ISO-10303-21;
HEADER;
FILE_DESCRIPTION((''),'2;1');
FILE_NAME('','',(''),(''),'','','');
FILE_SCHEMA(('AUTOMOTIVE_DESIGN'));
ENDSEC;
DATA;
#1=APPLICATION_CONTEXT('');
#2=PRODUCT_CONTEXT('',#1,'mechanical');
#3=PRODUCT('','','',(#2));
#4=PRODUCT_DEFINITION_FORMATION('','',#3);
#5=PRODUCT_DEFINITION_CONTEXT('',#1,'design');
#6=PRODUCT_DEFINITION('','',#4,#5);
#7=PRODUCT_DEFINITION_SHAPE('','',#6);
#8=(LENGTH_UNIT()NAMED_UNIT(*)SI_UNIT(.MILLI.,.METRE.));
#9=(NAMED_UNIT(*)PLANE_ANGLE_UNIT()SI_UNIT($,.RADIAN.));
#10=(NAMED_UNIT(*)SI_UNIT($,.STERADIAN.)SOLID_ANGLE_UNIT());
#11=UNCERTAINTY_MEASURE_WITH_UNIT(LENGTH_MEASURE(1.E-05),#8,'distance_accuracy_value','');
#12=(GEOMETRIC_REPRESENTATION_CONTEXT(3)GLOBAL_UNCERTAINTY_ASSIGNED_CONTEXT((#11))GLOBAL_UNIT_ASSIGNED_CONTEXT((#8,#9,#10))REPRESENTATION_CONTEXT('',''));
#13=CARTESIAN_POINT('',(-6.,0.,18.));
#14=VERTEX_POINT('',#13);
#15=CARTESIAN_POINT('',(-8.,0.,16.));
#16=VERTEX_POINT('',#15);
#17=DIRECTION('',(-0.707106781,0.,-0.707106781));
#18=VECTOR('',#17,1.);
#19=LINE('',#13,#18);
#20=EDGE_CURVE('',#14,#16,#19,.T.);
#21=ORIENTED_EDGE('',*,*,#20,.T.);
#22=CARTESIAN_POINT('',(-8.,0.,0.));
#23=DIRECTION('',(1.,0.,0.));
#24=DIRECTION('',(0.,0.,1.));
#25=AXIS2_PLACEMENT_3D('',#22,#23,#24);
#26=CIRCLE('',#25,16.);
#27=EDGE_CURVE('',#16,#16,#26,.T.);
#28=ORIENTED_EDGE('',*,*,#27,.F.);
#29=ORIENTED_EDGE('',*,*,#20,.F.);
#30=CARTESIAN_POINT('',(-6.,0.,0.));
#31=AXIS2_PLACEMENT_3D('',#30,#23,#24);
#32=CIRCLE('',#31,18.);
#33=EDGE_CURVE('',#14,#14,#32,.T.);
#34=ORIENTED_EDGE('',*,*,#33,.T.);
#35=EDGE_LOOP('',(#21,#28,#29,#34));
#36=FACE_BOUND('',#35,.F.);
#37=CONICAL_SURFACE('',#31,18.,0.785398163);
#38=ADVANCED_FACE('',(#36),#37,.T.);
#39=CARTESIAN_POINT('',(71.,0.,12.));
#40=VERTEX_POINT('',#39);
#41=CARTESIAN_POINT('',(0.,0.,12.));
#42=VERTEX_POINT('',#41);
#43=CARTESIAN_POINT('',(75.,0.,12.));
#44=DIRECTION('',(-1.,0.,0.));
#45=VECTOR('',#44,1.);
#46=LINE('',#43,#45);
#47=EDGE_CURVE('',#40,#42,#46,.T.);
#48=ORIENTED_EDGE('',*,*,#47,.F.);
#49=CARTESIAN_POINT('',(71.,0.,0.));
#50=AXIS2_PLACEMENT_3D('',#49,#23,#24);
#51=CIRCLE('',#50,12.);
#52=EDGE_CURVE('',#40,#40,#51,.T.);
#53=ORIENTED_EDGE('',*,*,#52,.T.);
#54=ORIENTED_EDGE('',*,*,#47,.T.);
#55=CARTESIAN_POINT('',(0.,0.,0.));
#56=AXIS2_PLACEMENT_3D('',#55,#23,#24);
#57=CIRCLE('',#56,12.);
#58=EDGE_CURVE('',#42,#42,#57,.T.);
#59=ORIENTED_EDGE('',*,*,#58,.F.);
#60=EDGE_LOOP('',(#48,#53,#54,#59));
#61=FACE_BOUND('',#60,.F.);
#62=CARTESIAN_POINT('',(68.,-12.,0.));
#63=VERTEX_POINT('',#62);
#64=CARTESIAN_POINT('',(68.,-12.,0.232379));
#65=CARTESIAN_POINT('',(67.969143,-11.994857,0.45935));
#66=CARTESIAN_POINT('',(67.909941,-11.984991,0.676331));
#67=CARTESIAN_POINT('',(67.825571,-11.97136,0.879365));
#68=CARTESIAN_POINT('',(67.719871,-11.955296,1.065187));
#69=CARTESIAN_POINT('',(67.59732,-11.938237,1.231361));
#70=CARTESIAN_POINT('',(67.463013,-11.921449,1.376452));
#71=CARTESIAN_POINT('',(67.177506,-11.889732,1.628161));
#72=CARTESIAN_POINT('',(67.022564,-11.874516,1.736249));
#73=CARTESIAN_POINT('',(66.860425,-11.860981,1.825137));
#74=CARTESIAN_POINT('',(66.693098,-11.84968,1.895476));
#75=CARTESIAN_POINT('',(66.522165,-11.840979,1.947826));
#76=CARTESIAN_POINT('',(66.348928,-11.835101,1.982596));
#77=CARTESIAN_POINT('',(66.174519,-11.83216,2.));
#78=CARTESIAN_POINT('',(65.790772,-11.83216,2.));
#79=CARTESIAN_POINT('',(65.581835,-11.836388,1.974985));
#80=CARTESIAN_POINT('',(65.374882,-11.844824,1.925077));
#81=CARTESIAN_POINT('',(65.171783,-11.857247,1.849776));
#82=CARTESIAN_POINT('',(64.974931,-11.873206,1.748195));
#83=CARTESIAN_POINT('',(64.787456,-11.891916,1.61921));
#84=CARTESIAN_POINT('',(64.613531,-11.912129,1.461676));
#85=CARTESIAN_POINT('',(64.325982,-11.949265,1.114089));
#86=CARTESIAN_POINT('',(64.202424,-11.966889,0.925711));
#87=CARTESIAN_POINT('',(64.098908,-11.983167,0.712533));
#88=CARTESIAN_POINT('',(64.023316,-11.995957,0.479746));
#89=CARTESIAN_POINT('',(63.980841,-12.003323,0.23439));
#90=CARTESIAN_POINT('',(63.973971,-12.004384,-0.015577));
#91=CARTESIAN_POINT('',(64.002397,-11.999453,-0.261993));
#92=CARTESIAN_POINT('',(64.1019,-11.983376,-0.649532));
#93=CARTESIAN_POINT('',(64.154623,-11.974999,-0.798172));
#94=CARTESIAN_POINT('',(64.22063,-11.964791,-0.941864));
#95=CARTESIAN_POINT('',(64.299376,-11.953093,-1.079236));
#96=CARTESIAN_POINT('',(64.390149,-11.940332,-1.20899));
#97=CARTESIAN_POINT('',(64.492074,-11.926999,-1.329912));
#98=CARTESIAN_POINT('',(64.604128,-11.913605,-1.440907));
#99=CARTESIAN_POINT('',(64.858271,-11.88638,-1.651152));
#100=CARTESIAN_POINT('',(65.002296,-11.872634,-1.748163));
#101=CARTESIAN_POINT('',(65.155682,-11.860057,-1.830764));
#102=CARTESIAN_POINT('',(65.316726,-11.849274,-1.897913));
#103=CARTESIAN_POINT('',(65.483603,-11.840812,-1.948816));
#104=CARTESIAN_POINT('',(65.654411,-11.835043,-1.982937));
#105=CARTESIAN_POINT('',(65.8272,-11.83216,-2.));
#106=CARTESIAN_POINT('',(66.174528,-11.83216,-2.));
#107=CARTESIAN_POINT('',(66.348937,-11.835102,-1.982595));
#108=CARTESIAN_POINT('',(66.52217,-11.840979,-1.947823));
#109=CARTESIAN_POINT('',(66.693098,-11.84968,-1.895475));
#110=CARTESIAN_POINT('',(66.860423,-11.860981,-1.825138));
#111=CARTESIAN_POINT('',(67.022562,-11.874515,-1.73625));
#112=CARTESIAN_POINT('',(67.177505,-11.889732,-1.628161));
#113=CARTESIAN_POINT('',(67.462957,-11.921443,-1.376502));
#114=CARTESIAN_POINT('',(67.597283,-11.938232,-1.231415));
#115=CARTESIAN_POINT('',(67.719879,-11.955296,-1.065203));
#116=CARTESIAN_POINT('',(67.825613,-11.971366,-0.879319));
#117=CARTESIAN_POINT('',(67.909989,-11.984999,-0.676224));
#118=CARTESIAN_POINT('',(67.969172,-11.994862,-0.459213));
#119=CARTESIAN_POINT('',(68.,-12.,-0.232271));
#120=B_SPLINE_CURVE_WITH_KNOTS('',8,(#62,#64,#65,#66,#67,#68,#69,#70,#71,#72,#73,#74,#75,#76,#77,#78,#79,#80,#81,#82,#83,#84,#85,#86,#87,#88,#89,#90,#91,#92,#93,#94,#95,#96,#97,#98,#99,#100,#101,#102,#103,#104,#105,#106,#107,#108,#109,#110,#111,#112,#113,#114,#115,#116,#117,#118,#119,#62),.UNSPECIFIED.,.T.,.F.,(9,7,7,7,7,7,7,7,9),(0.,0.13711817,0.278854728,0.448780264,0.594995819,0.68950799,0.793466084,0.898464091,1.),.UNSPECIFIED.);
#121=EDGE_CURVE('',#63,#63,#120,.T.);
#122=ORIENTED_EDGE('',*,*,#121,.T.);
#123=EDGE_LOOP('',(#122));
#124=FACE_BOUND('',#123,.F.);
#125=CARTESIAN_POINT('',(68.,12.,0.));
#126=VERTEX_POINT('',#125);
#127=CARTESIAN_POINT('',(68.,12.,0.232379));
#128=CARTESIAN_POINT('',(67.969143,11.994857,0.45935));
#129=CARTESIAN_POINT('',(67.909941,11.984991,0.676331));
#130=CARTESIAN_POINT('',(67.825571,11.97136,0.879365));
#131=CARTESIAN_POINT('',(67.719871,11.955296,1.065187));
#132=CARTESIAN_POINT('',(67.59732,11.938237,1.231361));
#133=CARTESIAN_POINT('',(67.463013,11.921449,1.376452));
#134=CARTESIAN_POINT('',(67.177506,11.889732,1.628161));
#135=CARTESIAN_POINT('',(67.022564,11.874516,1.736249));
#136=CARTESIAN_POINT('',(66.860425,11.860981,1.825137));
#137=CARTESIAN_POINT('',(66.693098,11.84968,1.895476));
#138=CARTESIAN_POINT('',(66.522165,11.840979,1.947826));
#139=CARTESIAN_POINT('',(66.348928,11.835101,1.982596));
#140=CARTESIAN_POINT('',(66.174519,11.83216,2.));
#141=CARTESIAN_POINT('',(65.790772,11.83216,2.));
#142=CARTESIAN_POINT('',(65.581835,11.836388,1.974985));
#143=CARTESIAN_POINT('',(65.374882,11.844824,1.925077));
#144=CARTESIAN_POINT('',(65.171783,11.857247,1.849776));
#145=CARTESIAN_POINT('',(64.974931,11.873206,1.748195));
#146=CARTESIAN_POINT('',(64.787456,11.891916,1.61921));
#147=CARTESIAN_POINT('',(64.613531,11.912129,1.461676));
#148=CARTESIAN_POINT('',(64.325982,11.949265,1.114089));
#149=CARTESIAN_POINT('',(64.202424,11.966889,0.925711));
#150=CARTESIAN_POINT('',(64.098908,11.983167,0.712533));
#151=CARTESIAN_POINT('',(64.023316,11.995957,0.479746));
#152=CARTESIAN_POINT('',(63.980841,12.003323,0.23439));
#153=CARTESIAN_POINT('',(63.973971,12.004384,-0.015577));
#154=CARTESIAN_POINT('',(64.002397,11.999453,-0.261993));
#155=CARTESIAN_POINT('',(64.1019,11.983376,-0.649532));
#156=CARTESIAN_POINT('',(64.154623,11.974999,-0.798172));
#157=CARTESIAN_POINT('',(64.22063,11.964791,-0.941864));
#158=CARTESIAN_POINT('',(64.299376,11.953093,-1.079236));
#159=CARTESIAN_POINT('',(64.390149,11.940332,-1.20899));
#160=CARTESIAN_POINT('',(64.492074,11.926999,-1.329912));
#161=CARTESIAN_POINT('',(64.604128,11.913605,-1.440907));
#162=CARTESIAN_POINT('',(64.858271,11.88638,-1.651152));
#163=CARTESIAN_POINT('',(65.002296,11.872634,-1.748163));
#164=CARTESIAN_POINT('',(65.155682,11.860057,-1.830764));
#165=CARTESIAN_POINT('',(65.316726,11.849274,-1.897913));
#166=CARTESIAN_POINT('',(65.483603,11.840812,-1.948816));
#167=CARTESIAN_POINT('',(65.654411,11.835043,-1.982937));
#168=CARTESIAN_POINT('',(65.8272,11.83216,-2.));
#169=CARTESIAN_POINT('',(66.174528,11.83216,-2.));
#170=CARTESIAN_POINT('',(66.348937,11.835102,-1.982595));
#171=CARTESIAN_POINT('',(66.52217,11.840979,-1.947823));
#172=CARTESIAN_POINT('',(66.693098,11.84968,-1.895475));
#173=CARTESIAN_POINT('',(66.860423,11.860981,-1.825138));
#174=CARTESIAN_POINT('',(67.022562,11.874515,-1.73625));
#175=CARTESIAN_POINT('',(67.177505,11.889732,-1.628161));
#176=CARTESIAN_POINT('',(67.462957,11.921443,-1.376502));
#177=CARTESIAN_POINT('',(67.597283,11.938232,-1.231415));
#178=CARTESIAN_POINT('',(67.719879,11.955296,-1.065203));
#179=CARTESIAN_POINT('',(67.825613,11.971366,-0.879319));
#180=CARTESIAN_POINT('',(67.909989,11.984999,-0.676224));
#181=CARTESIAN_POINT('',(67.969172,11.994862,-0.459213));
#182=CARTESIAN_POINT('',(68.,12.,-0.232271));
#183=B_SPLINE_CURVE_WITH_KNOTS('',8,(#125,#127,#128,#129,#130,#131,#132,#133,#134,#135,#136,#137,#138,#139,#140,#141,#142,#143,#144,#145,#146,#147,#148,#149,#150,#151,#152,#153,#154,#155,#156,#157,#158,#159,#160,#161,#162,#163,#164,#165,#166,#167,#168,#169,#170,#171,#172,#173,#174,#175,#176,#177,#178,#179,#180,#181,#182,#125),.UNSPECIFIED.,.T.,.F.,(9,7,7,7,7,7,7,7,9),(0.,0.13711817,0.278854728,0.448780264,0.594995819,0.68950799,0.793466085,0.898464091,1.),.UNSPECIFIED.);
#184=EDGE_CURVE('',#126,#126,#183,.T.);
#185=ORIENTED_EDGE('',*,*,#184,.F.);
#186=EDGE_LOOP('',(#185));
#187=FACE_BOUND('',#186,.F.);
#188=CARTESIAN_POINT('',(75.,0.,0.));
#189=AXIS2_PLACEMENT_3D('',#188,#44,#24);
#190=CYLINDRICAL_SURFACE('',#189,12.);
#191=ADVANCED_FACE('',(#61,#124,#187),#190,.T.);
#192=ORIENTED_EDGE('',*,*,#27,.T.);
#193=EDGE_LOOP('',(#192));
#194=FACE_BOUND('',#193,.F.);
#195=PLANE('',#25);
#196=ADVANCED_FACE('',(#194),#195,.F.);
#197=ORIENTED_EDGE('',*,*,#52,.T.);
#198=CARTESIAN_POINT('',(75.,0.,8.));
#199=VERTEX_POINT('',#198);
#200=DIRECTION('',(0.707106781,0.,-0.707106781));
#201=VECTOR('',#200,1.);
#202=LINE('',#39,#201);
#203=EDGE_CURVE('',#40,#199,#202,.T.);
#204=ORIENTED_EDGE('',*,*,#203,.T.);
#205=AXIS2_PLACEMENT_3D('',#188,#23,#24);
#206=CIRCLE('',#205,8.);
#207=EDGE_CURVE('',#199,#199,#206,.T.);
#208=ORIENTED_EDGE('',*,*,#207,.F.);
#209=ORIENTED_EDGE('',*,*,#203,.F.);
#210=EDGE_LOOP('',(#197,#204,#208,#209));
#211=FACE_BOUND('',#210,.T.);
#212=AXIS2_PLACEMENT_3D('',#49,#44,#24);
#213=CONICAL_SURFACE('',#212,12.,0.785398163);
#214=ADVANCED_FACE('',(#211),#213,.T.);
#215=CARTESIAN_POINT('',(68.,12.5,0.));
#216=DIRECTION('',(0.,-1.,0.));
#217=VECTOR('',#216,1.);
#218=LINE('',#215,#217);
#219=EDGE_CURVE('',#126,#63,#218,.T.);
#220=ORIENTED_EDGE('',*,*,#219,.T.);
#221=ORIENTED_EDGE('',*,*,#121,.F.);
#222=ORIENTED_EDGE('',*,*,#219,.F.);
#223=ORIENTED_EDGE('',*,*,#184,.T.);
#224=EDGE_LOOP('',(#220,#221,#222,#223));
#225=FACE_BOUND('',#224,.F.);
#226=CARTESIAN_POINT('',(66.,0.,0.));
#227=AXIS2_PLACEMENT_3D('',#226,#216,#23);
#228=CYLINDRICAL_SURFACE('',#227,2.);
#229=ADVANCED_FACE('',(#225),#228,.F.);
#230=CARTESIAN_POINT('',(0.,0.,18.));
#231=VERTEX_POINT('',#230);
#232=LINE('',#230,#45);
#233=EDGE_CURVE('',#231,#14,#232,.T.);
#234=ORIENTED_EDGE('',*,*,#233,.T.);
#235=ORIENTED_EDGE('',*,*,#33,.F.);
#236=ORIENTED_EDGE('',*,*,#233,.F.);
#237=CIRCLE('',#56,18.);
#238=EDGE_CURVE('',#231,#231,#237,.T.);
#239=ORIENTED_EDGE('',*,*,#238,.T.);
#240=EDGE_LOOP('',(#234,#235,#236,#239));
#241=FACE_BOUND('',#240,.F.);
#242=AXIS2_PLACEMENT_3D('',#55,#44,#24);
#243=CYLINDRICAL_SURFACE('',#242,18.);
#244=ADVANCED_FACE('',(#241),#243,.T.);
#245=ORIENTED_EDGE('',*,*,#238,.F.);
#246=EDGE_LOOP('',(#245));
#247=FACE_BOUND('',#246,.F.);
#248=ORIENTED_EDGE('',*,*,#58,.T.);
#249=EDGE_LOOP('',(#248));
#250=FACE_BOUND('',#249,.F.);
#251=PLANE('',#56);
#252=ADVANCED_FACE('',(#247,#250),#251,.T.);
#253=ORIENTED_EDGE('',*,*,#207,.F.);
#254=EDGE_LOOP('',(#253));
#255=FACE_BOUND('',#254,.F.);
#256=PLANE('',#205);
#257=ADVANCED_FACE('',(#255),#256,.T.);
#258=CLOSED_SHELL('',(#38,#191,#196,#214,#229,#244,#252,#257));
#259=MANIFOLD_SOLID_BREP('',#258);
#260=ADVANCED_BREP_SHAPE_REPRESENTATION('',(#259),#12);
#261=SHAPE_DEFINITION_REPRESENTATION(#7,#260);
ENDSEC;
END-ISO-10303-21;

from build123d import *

# Parameters (mm, degrees)
F2_SIZE  = 4
F3_SIZE  = 2
F4_R     = 2
F5_DEPTH = 12.5


with BuildPart() as f1:
    # F0 (on Front) → F1 (revolve)
    with BuildSketch(Plane.XZ):
        Polygon((75, 12), (0, 12), (0, 18), (-8, 18), (-8, 0), (75, 0), align=None)
    revolve(axis=Axis((33.5, 0, 0), (1, 0, 0)))

    # F2
    f2_edges = [f1.edges().sort_by_distance(p)[0] for p in [
        (75, 0, -12),
    ]]
    chamfer(f2_edges, length=F2_SIZE)

    # F3
    f3_edges = [f1.edges().sort_by_distance(p)[0] for p in [
        (-8, 0, -18),
    ]]
    chamfer(f3_edges, length=F3_SIZE)

    # F4 (on Front) → F5 (cut, symmetric)
    with BuildSketch(Plane.XZ):
        with Locations((66, 0)):
            Circle(F4_R)
    extrude(amount=F5_DEPTH, both=True, mode=Mode.SUBTRACT)


solid = f1.part
